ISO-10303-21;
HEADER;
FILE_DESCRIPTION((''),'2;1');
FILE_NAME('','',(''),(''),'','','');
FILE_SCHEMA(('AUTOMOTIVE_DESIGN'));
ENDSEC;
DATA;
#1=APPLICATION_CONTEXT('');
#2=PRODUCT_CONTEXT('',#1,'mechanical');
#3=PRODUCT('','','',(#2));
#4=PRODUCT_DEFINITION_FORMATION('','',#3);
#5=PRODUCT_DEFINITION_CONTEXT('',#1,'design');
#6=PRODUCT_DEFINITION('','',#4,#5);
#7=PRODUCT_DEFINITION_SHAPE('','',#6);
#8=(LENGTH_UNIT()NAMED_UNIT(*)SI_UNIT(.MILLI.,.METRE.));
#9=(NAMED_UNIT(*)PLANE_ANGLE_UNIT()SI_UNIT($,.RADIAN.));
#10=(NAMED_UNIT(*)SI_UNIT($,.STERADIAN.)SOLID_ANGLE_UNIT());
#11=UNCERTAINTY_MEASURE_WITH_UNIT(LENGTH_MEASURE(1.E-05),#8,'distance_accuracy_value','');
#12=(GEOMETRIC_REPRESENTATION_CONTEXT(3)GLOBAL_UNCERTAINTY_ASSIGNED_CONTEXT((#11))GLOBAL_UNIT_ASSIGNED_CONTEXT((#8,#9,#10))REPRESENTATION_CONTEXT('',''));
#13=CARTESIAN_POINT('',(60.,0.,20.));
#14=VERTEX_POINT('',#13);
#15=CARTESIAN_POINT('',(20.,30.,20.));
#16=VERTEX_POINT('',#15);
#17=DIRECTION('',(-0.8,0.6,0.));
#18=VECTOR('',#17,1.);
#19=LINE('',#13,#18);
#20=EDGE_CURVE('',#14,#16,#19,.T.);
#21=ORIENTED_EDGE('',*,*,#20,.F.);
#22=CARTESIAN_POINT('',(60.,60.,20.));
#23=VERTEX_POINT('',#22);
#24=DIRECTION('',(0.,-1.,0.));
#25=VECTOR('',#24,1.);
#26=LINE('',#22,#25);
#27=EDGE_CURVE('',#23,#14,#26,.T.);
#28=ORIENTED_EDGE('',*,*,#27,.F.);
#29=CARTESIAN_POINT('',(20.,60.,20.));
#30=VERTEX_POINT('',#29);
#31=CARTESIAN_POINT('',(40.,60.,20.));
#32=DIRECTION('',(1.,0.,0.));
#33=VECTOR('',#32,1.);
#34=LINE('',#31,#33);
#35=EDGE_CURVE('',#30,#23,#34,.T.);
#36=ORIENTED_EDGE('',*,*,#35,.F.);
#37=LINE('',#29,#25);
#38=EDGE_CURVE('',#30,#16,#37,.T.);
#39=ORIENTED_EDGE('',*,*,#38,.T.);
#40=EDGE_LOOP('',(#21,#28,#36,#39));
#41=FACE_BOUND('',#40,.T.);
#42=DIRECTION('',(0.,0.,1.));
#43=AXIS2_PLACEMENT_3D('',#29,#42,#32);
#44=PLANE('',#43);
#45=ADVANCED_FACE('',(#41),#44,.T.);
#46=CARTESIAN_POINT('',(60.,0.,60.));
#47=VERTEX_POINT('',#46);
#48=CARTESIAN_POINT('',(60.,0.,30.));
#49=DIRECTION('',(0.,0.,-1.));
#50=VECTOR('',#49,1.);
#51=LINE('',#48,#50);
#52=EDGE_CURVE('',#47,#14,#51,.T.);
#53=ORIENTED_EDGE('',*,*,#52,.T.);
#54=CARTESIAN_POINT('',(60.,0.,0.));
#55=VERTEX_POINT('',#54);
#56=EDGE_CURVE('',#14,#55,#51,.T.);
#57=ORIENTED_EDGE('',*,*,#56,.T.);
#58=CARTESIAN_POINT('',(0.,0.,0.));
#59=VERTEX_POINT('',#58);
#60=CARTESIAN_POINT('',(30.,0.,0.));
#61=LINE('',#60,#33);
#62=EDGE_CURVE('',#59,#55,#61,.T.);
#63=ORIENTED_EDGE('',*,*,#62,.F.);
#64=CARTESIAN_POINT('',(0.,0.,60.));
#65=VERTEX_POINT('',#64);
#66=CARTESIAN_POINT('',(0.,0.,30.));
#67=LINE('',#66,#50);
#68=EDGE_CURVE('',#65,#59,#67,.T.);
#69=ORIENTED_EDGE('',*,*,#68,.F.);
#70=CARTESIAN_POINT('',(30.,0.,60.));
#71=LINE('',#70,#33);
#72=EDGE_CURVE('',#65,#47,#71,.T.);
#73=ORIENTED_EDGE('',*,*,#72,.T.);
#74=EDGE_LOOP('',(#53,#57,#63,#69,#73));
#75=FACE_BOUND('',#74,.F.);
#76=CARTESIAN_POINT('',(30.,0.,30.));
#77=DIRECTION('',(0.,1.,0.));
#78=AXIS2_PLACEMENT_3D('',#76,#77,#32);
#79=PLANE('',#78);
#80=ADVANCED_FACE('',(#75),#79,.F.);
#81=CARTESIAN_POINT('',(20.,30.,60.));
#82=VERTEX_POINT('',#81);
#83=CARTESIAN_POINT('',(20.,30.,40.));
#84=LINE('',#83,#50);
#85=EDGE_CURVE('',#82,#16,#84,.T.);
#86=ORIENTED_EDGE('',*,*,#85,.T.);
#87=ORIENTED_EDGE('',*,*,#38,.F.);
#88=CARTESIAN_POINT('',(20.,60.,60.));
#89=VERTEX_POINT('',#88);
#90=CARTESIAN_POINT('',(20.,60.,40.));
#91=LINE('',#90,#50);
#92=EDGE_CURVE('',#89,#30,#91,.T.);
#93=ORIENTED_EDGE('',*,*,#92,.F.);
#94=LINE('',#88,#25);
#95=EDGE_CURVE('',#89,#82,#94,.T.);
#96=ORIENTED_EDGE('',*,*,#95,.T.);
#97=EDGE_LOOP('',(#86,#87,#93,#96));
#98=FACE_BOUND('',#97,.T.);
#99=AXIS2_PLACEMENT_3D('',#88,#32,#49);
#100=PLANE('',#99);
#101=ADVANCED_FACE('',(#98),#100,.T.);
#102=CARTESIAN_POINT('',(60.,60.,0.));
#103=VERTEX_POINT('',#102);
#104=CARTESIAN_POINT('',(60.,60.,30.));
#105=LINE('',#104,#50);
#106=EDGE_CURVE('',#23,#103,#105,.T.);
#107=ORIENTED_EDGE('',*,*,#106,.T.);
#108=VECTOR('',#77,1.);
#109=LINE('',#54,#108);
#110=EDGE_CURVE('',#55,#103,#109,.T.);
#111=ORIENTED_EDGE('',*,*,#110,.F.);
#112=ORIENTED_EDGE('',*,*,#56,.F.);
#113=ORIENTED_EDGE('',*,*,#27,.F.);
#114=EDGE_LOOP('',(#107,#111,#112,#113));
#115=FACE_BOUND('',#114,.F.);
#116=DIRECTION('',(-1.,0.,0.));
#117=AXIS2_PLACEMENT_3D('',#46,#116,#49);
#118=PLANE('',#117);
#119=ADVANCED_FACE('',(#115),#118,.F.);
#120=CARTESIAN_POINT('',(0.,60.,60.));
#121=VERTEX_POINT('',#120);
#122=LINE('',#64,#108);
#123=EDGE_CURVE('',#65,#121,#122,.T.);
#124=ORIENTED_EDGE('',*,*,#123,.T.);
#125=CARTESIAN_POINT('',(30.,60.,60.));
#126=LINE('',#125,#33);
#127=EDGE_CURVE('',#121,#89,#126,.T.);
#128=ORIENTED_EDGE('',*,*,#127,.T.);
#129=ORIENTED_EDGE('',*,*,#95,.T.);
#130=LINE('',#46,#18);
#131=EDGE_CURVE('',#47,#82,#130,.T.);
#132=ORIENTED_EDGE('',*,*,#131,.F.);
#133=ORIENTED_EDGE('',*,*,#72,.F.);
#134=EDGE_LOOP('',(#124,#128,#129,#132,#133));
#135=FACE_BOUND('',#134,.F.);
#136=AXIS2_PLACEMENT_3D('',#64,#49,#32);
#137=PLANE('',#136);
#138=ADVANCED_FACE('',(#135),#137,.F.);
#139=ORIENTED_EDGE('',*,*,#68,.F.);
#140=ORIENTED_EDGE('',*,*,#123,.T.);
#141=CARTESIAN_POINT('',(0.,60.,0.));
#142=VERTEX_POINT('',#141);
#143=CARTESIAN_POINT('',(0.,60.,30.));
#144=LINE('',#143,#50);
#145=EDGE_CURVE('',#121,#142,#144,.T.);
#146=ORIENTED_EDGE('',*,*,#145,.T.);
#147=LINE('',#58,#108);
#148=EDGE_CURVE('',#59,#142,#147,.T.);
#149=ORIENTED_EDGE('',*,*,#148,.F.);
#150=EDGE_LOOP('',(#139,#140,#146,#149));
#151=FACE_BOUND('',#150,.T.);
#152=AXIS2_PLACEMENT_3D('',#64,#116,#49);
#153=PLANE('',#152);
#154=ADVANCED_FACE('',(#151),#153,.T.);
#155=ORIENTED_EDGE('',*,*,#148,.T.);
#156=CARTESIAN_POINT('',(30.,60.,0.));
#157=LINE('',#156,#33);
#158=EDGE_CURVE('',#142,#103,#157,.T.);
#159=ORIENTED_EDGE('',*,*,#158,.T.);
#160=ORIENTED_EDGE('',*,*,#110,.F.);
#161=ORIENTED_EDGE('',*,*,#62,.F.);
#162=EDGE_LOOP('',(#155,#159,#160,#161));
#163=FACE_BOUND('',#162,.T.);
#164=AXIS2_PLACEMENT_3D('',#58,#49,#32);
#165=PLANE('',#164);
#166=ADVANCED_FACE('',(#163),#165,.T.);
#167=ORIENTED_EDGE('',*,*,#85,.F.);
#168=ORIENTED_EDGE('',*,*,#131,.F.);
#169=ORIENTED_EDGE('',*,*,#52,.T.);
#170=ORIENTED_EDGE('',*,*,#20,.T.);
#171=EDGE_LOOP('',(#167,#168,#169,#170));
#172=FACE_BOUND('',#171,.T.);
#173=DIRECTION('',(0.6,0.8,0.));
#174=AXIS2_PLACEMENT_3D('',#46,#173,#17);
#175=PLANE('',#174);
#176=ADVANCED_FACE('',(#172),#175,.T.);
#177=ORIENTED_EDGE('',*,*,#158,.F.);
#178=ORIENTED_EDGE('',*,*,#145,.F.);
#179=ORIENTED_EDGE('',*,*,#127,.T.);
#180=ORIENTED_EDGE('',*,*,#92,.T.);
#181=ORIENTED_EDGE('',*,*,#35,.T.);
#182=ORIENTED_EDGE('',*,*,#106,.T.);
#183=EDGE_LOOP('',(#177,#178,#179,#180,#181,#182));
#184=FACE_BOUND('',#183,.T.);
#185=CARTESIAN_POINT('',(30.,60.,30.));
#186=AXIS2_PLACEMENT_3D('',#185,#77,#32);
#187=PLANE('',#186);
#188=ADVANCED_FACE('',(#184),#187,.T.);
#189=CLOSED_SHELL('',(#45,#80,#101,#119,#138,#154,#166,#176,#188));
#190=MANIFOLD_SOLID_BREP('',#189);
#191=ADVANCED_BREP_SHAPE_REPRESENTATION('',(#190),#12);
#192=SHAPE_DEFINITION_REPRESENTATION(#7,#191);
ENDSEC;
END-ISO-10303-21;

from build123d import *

# Parameters (mm, degrees)
CROQUIS1_W              = 60
CROQUIS1_H              = 60
SALIENTE_EXTRUIR1_DEPTH = 60
CROQUIS2_W              = 40
CROQUIS2_H              = 40
CORTAR_EXTRUIR1_DEPTH   = 30
CORTAR_EXTRUIR2_DEPTH   = 40


with BuildPart() as part:
    # Croquis1 → Saliente-Extruir1 (new body)
    with BuildSketch(Plane(origin=(0, 0, 0), x_dir=(1, 0, 0), z_dir=(0, 1, 0))):
        with Locations((30, -30)):
            Rectangle(CROQUIS1_W, CROQUIS1_H)
    extrude(amount=SALIENTE_EXTRUIR1_DEPTH)

    # Croquis2 → Cortar-Extruir1 (cut)
    with BuildSketch(Plane(origin=(0, 60, 0), x_dir=(1, 0, 0), z_dir=(0, 1, 0))):
        with Locations((40, -40)):
            Rectangle(CROQUIS2_W, CROQUIS2_H)
    extrude(amount=-CORTAR_EXTRUIR1_DEPTH, mode=Mode.SUBTRACT)

    # Croquis3 → Cortar-Extruir2 (cut)
    with BuildSketch(Plane.XY.offset(60)):
        Polygon((20, 30), (60, 30), (60, 0), align=None)
    extrude(amount=-CORTAR_EXTRUIR2_DEPTH, mode=Mode.SUBTRACT)


solid = part.part
